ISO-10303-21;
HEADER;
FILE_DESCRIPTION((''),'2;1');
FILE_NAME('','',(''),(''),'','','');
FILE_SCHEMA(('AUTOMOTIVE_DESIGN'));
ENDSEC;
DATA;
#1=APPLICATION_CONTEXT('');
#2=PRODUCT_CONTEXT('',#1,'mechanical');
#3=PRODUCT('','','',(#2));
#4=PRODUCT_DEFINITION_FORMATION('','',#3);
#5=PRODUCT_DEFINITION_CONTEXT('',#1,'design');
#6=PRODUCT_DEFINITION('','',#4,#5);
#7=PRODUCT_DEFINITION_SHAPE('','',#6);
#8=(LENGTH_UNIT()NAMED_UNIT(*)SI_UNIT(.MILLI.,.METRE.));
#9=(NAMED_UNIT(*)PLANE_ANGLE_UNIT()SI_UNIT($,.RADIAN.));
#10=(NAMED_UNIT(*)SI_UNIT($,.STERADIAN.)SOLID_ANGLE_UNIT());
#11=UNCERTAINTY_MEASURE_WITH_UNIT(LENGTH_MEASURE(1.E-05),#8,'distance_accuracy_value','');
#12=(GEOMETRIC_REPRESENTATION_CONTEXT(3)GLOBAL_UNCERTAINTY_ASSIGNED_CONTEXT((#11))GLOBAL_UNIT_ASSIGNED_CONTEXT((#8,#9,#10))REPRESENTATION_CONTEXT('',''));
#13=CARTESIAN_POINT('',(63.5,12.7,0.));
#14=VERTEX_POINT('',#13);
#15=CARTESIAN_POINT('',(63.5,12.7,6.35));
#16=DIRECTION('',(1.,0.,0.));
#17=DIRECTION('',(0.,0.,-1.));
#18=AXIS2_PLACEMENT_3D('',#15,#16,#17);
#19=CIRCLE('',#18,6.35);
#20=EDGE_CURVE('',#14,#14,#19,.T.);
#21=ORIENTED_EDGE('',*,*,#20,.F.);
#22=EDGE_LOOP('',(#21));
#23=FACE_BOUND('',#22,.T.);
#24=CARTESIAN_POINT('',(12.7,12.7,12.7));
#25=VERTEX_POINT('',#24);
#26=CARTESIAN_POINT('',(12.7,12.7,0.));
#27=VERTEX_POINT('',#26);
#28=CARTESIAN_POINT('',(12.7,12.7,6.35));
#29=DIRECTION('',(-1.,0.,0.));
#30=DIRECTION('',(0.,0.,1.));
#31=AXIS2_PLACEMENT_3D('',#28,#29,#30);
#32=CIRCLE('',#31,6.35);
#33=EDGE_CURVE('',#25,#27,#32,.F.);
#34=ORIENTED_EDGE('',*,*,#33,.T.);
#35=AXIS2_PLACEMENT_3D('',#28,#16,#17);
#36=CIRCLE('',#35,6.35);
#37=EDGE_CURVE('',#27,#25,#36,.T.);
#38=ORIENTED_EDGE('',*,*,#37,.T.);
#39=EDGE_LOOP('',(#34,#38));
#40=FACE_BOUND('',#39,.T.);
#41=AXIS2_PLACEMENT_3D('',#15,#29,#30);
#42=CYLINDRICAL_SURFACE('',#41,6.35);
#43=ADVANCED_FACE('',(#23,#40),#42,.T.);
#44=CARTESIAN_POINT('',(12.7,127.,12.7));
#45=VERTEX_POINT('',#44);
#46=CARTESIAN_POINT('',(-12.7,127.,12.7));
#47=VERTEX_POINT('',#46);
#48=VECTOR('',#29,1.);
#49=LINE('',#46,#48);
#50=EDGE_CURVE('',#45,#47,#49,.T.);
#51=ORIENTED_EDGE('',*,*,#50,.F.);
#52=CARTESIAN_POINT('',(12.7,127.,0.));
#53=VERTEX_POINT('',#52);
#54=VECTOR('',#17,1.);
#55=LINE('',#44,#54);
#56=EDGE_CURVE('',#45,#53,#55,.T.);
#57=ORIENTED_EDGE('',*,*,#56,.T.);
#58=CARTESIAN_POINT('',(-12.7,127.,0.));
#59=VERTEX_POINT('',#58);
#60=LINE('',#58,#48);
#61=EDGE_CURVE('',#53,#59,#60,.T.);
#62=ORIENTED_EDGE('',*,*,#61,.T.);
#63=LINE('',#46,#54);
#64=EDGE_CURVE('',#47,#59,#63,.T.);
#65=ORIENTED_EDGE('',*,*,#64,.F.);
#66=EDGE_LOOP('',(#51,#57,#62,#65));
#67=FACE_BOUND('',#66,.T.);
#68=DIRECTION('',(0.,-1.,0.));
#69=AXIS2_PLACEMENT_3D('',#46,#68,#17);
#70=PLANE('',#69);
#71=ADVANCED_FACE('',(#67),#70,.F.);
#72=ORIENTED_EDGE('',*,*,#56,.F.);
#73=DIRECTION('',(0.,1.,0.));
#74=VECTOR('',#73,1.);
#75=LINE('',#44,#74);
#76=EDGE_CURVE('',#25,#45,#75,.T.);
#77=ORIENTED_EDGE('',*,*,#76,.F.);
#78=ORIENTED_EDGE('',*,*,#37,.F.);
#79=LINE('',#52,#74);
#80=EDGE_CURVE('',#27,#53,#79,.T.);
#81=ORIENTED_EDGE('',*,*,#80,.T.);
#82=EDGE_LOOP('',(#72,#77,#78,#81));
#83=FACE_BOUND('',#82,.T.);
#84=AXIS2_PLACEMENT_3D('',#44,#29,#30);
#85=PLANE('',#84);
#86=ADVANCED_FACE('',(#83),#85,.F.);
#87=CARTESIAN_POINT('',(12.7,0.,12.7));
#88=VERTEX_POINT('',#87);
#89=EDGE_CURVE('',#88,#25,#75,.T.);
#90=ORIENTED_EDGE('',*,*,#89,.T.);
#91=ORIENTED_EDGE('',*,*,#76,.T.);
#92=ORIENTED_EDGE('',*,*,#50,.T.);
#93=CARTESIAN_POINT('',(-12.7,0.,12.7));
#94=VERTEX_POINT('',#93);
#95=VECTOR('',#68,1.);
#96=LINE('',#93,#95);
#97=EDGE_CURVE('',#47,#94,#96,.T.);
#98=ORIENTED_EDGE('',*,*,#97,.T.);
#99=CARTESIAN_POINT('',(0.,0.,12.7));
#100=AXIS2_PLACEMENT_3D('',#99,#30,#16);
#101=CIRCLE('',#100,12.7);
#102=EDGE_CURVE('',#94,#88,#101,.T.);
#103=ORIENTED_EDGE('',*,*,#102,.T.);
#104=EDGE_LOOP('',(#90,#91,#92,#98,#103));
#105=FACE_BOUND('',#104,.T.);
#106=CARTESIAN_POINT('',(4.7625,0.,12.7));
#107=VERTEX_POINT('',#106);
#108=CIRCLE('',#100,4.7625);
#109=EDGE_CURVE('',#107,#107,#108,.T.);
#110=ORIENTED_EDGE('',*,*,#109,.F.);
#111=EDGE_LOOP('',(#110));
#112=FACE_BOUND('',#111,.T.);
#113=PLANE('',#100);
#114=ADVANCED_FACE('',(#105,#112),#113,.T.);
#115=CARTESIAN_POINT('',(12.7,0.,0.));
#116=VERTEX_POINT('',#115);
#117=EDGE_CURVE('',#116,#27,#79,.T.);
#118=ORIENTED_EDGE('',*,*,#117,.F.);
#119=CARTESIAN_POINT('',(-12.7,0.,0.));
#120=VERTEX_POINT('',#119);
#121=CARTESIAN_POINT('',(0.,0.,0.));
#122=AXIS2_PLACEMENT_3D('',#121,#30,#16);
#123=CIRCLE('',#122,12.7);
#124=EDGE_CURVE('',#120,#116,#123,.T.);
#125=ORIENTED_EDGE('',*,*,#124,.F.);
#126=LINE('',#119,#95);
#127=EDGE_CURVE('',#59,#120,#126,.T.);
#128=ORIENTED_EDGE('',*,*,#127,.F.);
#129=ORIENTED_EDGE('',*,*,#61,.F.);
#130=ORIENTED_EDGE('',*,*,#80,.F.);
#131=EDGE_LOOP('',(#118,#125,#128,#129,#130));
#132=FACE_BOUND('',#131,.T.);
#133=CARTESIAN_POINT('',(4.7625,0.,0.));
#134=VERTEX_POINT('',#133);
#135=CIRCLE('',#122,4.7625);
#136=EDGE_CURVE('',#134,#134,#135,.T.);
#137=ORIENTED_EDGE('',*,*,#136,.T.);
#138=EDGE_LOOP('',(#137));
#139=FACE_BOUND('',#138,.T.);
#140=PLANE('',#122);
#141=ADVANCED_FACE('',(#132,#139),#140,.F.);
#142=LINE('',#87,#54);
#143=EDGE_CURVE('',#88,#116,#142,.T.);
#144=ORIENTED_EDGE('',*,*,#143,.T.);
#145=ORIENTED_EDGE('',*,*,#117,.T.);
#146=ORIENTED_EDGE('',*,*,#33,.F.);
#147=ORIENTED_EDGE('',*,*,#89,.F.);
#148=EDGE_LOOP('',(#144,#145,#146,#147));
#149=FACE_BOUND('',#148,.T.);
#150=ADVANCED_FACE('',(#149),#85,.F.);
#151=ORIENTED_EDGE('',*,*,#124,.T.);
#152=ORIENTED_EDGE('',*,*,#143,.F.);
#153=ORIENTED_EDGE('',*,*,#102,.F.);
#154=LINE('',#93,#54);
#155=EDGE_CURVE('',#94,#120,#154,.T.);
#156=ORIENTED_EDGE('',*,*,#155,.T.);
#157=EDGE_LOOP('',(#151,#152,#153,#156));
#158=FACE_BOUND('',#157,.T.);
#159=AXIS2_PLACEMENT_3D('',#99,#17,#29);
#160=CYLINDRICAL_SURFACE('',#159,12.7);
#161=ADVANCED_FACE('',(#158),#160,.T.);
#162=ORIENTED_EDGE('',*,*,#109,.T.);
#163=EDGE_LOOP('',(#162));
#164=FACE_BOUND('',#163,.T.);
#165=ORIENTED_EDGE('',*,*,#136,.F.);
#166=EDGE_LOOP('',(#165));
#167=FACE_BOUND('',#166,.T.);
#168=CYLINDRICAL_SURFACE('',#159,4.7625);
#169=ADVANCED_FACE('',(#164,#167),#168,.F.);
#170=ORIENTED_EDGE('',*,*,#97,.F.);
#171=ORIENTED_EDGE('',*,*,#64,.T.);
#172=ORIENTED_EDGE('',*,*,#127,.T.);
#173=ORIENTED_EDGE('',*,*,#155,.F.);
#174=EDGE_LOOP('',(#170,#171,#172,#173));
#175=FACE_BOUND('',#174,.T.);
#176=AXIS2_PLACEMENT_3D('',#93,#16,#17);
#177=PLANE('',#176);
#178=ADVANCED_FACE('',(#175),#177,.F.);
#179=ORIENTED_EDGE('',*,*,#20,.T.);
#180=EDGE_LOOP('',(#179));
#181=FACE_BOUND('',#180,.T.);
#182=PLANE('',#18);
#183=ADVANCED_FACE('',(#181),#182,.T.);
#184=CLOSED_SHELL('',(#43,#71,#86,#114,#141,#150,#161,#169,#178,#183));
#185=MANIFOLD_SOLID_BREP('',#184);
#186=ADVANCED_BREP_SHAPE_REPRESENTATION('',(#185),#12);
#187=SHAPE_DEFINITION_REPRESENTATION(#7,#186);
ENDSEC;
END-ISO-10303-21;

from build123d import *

# Parameters (mm, degrees)
SKETCH1_R           = 4.7625
BOSS_EXTRUDE1_DEPTH = 12.7
SKETCH2_R           = 6.35
BOSS_EXTRUDE2_DEPTH = 50.8


with BuildPart() as part:
    # Sketch1 → Boss-Extrude1 (new body)
    with BuildSketch(Plane.XY):
        with BuildLine():
            Line((-12.7, 0), (-12.7, 127))
            Line((-12.7, 127), (12.7, 127))
            Line((12.7, 127), (12.7, 0))
            ThreePointArc((12.7, 0), (0, -12.7), (-12.7, 0))
        make_face()
        Circle(SKETCH1_R, mode=Mode.SUBTRACT)
    extrude(amount=BOSS_EXTRUDE1_DEPTH)

    # Sketch2 → Boss-Extrude2 (add)
    with BuildSketch(Plane(origin=(12.7, 0, 0), x_dir=(0, 0, -1), z_dir=(1, 0, 0))):
        with Locations((-6.35, 12.7)):
            Circle(SKETCH2_R)
    extrude(amount=BOSS_EXTRUDE2_DEPTH)


solid = part.part
